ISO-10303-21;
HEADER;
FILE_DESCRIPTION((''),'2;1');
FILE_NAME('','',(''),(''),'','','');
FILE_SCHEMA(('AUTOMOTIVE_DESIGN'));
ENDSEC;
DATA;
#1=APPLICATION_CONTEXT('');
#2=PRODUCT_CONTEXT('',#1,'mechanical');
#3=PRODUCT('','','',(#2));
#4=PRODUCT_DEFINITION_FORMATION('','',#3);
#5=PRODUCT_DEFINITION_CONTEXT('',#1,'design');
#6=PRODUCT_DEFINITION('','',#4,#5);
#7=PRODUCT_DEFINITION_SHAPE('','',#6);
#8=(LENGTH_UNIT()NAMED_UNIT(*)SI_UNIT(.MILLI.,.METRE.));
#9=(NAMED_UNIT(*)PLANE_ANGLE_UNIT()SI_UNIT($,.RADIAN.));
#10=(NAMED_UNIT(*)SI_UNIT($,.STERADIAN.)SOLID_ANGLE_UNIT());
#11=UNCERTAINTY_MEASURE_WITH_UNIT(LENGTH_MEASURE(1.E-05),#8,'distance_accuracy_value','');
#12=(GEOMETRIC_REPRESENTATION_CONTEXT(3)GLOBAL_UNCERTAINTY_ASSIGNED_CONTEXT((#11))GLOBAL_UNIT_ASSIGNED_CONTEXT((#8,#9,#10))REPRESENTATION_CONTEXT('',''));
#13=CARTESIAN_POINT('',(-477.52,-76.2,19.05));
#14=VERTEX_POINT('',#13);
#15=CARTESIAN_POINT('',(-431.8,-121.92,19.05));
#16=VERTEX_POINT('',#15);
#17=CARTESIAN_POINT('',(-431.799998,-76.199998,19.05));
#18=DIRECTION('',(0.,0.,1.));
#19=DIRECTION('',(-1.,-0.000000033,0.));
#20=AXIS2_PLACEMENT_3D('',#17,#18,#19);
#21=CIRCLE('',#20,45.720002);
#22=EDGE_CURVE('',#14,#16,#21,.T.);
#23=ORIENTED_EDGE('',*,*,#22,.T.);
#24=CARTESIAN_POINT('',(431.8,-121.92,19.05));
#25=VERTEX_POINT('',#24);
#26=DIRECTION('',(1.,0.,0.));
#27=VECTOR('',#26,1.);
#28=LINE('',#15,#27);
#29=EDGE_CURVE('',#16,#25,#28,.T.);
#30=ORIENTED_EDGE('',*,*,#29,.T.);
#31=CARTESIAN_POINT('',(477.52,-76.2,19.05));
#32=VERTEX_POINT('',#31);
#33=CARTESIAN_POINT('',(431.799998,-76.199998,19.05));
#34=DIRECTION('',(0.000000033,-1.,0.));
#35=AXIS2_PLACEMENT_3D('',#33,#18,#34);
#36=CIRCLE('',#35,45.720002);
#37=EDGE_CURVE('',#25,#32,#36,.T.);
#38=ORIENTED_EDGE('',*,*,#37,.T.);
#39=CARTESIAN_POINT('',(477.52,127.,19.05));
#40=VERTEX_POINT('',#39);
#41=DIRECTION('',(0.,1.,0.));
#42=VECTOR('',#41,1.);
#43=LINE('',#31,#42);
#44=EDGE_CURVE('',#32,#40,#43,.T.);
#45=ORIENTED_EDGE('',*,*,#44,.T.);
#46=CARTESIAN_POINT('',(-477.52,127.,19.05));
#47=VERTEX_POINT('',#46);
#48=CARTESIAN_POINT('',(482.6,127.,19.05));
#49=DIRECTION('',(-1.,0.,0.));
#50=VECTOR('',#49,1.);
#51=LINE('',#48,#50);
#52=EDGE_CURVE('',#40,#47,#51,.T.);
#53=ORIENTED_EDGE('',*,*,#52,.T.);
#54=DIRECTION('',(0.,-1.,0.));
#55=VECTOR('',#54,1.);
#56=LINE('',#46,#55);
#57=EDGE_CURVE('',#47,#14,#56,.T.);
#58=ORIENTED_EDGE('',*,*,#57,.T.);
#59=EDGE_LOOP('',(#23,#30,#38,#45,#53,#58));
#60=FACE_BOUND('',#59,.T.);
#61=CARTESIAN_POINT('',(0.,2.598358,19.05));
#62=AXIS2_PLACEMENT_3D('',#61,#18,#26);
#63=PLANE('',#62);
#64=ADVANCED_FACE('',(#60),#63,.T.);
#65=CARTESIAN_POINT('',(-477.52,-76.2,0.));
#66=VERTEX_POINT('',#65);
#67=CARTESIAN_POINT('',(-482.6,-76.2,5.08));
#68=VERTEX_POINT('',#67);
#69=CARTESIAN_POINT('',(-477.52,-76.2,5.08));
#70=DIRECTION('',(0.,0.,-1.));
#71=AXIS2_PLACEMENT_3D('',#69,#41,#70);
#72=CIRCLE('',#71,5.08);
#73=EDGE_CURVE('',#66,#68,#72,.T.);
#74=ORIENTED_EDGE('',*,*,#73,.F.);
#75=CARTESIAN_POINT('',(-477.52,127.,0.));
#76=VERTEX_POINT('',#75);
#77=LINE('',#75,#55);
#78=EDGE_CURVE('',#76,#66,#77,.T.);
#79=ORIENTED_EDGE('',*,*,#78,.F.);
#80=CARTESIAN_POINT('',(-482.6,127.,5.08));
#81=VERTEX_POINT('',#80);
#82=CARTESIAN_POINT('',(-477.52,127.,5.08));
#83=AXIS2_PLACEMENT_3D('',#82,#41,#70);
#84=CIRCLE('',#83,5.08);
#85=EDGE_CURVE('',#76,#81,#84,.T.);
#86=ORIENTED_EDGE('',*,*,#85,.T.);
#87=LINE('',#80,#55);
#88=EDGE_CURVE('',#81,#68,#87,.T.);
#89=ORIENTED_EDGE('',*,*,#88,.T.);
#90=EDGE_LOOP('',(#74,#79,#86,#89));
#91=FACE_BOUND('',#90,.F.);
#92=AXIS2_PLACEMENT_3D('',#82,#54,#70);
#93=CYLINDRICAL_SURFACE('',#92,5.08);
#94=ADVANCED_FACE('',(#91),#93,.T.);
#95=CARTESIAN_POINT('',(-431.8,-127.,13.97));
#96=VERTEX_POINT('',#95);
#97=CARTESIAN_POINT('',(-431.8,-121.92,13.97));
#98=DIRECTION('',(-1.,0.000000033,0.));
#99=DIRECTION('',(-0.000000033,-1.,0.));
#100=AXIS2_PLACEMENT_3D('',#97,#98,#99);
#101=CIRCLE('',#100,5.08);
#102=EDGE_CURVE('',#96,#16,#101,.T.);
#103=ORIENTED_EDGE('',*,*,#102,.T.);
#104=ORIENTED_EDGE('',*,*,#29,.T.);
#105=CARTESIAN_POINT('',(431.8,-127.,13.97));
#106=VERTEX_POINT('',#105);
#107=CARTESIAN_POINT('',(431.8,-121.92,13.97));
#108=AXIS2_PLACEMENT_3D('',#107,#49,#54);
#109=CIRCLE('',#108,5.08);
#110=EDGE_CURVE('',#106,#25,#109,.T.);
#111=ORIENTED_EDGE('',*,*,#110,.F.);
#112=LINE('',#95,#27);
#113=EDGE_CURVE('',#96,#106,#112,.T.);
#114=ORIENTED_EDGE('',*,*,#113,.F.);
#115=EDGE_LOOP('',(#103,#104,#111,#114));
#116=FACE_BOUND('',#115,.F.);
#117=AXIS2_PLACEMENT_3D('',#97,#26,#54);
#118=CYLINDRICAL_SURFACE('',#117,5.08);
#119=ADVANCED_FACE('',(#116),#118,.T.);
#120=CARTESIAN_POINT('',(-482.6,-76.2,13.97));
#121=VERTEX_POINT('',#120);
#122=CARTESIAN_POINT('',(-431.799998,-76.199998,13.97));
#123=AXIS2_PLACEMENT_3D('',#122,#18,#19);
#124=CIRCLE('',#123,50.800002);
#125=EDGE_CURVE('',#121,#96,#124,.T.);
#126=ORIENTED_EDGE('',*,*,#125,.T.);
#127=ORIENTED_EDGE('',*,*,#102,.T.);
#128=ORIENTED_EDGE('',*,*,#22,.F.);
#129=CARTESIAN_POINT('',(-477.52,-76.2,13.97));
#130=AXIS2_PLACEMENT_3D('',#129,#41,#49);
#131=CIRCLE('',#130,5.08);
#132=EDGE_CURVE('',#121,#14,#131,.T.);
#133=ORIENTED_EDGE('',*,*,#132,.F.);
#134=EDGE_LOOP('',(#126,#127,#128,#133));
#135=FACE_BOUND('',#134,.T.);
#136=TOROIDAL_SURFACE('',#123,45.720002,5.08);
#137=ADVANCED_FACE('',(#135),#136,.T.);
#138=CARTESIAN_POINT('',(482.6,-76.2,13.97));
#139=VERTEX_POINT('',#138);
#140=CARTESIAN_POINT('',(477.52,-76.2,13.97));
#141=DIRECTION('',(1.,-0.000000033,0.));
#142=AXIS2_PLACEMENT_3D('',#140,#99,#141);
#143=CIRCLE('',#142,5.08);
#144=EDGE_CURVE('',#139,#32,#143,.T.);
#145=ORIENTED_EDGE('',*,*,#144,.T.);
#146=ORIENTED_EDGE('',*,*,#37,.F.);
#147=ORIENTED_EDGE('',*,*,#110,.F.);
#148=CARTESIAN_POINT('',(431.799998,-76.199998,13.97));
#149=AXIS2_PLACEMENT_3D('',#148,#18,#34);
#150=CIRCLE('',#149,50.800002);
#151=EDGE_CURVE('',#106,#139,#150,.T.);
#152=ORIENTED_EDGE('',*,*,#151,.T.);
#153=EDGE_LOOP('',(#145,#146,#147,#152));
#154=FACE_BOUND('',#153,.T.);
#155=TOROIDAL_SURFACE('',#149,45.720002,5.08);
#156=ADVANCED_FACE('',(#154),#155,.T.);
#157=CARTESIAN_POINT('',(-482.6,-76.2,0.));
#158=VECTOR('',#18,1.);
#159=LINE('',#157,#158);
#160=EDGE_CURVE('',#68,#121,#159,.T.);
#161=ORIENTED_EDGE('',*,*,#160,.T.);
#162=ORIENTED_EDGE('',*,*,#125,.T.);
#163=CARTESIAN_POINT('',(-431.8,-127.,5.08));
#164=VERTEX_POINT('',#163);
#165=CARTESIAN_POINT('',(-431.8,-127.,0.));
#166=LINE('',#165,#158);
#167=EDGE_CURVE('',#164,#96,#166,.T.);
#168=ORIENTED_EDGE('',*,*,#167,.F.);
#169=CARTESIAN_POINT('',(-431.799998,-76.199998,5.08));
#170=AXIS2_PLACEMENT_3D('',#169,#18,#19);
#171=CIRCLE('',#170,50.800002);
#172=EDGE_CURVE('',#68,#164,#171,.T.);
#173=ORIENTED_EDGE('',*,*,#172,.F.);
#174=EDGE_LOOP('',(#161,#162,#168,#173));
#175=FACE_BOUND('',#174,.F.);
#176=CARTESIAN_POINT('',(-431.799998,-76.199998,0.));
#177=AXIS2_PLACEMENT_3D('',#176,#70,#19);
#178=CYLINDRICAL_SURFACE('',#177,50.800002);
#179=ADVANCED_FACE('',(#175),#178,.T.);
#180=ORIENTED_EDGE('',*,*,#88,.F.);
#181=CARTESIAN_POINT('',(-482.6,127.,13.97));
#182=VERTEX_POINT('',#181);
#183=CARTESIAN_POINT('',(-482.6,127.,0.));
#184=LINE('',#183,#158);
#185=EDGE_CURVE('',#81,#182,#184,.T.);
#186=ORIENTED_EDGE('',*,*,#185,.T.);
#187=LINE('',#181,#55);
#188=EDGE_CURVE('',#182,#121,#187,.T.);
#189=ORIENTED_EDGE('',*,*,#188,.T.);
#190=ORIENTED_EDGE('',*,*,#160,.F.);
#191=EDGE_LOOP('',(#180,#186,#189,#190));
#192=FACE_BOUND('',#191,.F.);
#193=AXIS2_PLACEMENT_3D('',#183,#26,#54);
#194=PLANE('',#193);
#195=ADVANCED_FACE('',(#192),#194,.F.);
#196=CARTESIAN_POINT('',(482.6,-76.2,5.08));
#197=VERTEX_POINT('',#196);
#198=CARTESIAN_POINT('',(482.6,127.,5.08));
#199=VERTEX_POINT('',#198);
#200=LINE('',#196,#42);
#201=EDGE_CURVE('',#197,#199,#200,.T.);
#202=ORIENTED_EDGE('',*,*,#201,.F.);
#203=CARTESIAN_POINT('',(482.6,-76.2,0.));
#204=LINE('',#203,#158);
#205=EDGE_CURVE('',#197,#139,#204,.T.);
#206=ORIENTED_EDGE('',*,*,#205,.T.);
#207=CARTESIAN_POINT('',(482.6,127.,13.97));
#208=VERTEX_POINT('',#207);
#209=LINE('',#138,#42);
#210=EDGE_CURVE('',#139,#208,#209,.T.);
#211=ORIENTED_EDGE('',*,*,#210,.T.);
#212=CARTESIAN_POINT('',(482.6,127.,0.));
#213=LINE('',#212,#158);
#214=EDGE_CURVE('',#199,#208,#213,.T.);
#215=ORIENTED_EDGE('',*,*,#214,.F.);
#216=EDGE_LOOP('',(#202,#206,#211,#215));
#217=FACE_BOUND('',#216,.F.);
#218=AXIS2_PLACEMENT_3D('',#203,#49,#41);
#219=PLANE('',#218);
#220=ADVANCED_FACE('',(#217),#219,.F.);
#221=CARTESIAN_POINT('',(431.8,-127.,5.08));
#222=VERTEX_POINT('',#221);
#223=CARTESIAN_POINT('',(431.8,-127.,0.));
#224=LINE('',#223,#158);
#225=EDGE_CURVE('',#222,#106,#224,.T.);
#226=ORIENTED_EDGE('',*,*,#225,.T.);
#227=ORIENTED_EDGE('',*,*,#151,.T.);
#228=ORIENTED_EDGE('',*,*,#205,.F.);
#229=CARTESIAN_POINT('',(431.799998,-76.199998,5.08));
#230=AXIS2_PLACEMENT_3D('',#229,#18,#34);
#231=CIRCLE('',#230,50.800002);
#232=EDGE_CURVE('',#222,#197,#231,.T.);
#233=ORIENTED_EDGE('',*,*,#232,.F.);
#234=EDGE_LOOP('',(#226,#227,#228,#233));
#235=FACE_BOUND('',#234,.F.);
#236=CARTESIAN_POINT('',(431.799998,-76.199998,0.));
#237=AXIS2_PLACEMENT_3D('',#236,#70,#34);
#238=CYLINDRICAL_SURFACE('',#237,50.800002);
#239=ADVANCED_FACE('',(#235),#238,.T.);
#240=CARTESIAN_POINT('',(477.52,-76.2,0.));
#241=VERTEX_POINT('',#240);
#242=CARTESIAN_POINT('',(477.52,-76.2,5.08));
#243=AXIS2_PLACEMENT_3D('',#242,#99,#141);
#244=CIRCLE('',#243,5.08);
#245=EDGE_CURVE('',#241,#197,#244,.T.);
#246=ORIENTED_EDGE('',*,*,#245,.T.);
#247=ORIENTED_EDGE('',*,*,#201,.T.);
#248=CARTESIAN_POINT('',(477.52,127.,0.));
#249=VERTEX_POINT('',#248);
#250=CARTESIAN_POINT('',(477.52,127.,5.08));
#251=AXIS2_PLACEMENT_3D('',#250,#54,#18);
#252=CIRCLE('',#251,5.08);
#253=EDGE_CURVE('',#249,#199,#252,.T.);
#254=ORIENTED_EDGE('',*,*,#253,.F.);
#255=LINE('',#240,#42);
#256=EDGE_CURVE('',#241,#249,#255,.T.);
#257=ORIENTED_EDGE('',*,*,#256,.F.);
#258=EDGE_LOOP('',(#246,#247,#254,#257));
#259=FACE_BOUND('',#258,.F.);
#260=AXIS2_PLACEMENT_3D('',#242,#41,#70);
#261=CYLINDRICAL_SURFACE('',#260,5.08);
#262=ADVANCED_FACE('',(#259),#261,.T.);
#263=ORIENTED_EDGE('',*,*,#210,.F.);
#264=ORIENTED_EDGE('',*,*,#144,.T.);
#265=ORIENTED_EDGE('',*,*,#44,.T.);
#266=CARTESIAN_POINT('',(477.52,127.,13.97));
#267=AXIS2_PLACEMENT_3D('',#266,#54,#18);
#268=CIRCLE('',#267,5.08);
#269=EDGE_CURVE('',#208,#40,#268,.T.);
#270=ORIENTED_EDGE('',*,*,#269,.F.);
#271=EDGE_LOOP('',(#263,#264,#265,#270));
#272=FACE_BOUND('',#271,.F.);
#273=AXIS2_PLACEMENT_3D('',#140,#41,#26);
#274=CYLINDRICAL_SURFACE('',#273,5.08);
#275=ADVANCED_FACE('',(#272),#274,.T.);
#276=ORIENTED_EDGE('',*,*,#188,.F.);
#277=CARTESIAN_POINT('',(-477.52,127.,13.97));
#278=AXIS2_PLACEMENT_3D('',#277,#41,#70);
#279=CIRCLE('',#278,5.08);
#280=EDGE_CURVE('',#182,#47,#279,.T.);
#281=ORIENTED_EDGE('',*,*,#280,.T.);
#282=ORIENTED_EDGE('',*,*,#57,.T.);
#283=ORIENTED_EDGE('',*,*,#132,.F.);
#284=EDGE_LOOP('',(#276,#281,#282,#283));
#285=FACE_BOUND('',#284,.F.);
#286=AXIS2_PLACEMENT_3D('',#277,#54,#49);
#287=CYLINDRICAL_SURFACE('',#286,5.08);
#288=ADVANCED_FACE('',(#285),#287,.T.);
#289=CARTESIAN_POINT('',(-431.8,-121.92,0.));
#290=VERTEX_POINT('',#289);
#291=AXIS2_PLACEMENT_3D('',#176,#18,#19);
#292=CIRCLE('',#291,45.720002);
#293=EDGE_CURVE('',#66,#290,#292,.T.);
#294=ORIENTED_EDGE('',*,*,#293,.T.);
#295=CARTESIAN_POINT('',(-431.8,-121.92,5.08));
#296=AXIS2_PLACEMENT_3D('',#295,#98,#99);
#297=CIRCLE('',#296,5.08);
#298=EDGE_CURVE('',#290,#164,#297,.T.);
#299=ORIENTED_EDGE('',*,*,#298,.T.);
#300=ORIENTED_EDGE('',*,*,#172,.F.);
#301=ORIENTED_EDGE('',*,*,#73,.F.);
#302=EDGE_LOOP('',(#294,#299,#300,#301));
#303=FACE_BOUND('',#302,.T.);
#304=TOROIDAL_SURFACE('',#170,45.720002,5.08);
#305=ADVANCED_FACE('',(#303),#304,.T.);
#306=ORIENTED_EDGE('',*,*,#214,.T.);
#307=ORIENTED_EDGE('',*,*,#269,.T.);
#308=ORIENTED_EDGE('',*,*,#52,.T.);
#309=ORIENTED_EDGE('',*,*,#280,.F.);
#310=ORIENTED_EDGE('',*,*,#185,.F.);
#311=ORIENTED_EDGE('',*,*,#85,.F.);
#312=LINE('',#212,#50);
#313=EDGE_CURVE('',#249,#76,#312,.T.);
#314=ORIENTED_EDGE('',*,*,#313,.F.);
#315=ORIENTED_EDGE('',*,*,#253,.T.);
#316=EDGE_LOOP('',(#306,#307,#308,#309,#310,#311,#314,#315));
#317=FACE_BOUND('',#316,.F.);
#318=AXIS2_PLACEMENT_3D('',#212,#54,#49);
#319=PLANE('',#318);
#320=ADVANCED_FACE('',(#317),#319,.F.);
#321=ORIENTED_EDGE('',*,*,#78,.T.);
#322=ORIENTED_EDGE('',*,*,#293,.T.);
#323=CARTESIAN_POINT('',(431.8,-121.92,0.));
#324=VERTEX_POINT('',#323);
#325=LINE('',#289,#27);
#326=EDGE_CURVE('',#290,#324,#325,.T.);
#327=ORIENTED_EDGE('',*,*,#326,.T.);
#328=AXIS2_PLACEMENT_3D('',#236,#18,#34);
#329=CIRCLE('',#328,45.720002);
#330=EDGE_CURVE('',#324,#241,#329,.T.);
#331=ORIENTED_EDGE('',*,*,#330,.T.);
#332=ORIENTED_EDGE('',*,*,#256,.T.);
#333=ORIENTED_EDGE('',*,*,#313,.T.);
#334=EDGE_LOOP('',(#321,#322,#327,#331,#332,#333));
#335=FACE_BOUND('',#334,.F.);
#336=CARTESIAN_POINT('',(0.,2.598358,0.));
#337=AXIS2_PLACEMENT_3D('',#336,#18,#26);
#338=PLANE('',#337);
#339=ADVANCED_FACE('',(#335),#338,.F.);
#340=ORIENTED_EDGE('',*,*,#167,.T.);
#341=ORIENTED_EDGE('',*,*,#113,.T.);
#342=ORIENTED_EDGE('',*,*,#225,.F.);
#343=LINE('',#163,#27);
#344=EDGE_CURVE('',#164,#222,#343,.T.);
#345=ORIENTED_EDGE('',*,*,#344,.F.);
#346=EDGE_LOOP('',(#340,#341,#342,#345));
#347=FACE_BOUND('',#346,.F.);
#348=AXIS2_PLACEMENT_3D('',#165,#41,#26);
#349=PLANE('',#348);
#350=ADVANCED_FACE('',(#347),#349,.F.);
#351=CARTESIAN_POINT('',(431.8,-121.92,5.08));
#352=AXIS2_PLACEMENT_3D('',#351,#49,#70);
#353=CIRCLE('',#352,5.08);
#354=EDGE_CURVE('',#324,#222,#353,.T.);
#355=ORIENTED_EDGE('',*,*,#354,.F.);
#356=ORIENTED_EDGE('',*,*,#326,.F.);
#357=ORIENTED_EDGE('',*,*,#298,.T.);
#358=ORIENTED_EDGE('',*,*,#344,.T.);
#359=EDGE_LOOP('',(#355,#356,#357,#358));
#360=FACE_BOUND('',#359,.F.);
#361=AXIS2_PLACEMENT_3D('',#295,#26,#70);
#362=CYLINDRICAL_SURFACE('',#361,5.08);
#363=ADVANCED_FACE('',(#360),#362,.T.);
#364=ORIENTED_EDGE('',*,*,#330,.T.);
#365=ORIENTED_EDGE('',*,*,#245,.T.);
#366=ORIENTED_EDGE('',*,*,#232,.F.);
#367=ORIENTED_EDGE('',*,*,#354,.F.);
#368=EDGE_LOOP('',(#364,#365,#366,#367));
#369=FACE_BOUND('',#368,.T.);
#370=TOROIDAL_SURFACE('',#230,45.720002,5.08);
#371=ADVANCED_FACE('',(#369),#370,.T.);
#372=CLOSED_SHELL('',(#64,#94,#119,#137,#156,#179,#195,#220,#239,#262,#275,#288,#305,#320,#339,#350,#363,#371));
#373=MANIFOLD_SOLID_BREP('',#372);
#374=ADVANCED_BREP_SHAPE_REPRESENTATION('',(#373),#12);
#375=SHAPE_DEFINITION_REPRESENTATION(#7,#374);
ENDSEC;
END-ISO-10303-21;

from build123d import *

# Parameters (mm, degrees)
F1_DEPTH = 19.05
F2_R     = 5.08
F3_R     = 5.08


with BuildPart() as f1:
    # F0 (on Top) → F1 (new body)
    with BuildSketch(Plane.XY):
        with BuildLine():
            Line((482.6, 127), (-482.6, 127))
            Line((-482.6, 127), (-482.6, -76.2))
            ThreePointArc((-482.6, -76.2), (-467.721024, -112.121024), (-431.8, -127))
            Line((-431.8, -127), (431.8, -127))
            ThreePointArc((431.8, -127), (467.721024, -112.121024), (482.6, -76.2))
            Line((482.6, -76.2), (482.6, 127))
        make_face()
    extrude(amount=F1_DEPTH)

    # F2
    f2_edges = [f1.edges().sort_by_distance(p)[0] for p in [
        (0, -127, 19.05),
    ]]
    fillet(f2_edges, radius=F2_R)

    # F3
    f3_edges = [f1.edges().sort_by_distance(p)[0] for p in [
        (0, -127, 0),
    ]]
    fillet(f3_edges, radius=F3_R)


solid = f1.part
